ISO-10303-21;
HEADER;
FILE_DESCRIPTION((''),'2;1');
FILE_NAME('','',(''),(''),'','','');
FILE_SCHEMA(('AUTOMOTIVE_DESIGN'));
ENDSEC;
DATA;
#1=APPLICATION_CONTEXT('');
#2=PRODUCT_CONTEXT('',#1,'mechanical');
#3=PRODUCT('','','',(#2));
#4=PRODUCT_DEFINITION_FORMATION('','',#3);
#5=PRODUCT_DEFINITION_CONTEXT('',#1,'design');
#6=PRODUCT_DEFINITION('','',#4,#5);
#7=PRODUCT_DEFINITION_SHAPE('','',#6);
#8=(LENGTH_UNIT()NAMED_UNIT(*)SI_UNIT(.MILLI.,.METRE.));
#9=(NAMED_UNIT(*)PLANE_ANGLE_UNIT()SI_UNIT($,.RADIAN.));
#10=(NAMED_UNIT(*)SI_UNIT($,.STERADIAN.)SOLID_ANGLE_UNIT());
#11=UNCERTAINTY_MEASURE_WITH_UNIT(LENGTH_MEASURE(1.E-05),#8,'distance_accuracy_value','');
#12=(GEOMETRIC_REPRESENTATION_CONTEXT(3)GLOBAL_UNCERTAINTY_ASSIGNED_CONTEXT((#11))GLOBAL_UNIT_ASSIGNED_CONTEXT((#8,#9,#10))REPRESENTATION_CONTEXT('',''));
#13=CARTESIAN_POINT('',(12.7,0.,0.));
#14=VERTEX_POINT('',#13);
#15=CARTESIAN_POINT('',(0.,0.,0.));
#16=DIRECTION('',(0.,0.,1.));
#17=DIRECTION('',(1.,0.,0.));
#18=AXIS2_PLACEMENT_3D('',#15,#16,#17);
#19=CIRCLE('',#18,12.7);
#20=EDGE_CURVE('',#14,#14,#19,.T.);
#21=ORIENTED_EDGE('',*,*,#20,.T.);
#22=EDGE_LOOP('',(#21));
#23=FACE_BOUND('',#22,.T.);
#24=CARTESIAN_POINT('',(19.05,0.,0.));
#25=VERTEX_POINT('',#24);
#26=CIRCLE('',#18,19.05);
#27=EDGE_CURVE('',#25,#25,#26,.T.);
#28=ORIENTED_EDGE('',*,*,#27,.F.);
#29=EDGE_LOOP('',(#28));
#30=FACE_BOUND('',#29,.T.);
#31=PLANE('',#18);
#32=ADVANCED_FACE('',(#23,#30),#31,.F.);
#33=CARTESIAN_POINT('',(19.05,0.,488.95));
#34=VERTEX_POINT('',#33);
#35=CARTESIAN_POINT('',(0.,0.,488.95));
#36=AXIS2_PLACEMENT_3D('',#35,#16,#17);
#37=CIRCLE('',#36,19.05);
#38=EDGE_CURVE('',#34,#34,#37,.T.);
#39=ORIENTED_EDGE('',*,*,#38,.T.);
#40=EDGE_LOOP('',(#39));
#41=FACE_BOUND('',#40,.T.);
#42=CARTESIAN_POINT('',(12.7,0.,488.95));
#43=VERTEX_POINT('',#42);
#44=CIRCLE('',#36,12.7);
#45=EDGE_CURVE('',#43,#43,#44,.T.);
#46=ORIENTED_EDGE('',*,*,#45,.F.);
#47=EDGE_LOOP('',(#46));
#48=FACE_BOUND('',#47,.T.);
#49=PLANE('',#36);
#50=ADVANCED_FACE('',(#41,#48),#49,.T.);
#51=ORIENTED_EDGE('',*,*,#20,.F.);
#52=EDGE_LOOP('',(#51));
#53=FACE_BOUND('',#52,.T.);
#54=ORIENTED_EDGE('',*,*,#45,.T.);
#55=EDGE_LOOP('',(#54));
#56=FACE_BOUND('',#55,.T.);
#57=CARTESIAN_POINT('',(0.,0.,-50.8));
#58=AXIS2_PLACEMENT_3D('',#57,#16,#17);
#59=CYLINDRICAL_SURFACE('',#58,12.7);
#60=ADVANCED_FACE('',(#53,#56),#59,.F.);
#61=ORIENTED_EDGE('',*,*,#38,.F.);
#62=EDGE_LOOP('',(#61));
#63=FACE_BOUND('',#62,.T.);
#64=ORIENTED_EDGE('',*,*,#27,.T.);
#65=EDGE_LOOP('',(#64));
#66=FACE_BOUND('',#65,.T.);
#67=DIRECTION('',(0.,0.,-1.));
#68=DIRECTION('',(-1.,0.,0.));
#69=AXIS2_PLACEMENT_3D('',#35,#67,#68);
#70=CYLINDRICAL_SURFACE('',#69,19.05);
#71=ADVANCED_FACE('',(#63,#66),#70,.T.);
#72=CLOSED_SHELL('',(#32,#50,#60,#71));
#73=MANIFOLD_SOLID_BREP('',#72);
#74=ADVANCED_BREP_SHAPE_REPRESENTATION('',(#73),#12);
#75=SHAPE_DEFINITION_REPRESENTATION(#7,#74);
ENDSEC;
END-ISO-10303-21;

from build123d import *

# Parameters (mm, degrees)
SKETCH1_R           = 19.05
BOSS_EXTRUDE1_DEPTH = 488.95
SKETCH2_R           = 12.7
CUT_EXTRUDE1_DEPTH  = 539.75


with BuildPart() as part:
    # Sketch1 → Boss-Extrude1 (new body)
    with BuildSketch(Plane.XY):
        Circle(SKETCH1_R)
    extrude(amount=BOSS_EXTRUDE1_DEPTH)

    # Sketch2 → Cut-Extrude1 (cut)
    with BuildSketch(Plane.XY.offset(488.95)):
        Circle(SKETCH2_R)
    extrude(amount=-CUT_EXTRUDE1_DEPTH, mode=Mode.SUBTRACT)


solid = part.part
